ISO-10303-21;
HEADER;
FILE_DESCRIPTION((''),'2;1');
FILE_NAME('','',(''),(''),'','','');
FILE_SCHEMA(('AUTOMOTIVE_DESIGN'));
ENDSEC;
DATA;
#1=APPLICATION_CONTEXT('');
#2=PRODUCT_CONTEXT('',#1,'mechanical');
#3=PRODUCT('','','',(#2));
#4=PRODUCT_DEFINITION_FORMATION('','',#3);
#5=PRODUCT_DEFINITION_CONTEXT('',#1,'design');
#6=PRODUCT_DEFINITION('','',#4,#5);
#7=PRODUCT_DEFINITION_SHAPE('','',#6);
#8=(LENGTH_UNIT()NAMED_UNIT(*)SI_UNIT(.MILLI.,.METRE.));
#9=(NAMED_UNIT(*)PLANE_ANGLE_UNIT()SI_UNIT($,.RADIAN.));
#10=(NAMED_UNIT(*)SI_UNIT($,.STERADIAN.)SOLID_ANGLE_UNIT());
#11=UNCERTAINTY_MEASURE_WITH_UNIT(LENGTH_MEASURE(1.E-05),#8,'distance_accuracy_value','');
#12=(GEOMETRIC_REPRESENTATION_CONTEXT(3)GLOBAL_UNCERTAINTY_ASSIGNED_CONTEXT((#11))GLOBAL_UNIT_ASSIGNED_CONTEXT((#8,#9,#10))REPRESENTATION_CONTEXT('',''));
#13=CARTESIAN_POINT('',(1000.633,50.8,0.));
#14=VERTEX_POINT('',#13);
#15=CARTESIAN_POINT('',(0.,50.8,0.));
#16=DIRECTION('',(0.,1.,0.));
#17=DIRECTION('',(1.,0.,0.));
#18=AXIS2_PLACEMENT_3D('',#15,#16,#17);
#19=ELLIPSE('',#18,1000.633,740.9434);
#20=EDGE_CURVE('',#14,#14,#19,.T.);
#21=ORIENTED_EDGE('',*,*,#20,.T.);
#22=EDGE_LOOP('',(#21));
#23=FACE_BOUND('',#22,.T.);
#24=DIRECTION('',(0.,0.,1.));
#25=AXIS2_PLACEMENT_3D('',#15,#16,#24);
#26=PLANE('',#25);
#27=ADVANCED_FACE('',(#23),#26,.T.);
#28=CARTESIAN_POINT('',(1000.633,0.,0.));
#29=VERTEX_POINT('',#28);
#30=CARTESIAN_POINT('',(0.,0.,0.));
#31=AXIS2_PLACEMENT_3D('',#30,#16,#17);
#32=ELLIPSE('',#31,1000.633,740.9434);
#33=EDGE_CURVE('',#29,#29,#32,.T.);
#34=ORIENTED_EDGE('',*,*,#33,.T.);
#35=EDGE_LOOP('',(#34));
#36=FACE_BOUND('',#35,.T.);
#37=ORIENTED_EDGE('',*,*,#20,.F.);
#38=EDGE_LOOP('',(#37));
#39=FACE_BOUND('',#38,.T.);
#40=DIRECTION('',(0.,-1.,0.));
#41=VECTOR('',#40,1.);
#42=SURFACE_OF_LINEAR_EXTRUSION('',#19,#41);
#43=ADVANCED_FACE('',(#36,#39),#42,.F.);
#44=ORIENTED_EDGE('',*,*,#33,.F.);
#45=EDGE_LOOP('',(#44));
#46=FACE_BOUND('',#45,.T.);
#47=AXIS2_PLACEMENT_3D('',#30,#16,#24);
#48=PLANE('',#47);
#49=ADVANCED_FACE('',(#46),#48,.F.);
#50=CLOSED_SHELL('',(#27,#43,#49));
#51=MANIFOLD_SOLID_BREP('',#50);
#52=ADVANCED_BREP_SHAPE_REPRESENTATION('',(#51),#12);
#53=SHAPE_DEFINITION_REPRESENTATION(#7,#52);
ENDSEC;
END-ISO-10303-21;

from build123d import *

# Parameters (mm, degrees)
SKETCH1_RX          = 1000.633
SKETCH1_RY          = 740.9434
BOSS_EXTRUDE1_DEPTH = 50.8


with BuildPart() as part:
    # Sketch1 → Boss-Extrude1 (new body)
    with BuildSketch(Plane(origin=(0, 0, 0), x_dir=(1, 0, 0), z_dir=(0, 1, 0))):
        with Locations(Location((0, 0), (0, 0, 0))):
            Ellipse(SKETCH1_RX, SKETCH1_RY)
    extrude(amount=BOSS_EXTRUDE1_DEPTH)


solid = part.part
